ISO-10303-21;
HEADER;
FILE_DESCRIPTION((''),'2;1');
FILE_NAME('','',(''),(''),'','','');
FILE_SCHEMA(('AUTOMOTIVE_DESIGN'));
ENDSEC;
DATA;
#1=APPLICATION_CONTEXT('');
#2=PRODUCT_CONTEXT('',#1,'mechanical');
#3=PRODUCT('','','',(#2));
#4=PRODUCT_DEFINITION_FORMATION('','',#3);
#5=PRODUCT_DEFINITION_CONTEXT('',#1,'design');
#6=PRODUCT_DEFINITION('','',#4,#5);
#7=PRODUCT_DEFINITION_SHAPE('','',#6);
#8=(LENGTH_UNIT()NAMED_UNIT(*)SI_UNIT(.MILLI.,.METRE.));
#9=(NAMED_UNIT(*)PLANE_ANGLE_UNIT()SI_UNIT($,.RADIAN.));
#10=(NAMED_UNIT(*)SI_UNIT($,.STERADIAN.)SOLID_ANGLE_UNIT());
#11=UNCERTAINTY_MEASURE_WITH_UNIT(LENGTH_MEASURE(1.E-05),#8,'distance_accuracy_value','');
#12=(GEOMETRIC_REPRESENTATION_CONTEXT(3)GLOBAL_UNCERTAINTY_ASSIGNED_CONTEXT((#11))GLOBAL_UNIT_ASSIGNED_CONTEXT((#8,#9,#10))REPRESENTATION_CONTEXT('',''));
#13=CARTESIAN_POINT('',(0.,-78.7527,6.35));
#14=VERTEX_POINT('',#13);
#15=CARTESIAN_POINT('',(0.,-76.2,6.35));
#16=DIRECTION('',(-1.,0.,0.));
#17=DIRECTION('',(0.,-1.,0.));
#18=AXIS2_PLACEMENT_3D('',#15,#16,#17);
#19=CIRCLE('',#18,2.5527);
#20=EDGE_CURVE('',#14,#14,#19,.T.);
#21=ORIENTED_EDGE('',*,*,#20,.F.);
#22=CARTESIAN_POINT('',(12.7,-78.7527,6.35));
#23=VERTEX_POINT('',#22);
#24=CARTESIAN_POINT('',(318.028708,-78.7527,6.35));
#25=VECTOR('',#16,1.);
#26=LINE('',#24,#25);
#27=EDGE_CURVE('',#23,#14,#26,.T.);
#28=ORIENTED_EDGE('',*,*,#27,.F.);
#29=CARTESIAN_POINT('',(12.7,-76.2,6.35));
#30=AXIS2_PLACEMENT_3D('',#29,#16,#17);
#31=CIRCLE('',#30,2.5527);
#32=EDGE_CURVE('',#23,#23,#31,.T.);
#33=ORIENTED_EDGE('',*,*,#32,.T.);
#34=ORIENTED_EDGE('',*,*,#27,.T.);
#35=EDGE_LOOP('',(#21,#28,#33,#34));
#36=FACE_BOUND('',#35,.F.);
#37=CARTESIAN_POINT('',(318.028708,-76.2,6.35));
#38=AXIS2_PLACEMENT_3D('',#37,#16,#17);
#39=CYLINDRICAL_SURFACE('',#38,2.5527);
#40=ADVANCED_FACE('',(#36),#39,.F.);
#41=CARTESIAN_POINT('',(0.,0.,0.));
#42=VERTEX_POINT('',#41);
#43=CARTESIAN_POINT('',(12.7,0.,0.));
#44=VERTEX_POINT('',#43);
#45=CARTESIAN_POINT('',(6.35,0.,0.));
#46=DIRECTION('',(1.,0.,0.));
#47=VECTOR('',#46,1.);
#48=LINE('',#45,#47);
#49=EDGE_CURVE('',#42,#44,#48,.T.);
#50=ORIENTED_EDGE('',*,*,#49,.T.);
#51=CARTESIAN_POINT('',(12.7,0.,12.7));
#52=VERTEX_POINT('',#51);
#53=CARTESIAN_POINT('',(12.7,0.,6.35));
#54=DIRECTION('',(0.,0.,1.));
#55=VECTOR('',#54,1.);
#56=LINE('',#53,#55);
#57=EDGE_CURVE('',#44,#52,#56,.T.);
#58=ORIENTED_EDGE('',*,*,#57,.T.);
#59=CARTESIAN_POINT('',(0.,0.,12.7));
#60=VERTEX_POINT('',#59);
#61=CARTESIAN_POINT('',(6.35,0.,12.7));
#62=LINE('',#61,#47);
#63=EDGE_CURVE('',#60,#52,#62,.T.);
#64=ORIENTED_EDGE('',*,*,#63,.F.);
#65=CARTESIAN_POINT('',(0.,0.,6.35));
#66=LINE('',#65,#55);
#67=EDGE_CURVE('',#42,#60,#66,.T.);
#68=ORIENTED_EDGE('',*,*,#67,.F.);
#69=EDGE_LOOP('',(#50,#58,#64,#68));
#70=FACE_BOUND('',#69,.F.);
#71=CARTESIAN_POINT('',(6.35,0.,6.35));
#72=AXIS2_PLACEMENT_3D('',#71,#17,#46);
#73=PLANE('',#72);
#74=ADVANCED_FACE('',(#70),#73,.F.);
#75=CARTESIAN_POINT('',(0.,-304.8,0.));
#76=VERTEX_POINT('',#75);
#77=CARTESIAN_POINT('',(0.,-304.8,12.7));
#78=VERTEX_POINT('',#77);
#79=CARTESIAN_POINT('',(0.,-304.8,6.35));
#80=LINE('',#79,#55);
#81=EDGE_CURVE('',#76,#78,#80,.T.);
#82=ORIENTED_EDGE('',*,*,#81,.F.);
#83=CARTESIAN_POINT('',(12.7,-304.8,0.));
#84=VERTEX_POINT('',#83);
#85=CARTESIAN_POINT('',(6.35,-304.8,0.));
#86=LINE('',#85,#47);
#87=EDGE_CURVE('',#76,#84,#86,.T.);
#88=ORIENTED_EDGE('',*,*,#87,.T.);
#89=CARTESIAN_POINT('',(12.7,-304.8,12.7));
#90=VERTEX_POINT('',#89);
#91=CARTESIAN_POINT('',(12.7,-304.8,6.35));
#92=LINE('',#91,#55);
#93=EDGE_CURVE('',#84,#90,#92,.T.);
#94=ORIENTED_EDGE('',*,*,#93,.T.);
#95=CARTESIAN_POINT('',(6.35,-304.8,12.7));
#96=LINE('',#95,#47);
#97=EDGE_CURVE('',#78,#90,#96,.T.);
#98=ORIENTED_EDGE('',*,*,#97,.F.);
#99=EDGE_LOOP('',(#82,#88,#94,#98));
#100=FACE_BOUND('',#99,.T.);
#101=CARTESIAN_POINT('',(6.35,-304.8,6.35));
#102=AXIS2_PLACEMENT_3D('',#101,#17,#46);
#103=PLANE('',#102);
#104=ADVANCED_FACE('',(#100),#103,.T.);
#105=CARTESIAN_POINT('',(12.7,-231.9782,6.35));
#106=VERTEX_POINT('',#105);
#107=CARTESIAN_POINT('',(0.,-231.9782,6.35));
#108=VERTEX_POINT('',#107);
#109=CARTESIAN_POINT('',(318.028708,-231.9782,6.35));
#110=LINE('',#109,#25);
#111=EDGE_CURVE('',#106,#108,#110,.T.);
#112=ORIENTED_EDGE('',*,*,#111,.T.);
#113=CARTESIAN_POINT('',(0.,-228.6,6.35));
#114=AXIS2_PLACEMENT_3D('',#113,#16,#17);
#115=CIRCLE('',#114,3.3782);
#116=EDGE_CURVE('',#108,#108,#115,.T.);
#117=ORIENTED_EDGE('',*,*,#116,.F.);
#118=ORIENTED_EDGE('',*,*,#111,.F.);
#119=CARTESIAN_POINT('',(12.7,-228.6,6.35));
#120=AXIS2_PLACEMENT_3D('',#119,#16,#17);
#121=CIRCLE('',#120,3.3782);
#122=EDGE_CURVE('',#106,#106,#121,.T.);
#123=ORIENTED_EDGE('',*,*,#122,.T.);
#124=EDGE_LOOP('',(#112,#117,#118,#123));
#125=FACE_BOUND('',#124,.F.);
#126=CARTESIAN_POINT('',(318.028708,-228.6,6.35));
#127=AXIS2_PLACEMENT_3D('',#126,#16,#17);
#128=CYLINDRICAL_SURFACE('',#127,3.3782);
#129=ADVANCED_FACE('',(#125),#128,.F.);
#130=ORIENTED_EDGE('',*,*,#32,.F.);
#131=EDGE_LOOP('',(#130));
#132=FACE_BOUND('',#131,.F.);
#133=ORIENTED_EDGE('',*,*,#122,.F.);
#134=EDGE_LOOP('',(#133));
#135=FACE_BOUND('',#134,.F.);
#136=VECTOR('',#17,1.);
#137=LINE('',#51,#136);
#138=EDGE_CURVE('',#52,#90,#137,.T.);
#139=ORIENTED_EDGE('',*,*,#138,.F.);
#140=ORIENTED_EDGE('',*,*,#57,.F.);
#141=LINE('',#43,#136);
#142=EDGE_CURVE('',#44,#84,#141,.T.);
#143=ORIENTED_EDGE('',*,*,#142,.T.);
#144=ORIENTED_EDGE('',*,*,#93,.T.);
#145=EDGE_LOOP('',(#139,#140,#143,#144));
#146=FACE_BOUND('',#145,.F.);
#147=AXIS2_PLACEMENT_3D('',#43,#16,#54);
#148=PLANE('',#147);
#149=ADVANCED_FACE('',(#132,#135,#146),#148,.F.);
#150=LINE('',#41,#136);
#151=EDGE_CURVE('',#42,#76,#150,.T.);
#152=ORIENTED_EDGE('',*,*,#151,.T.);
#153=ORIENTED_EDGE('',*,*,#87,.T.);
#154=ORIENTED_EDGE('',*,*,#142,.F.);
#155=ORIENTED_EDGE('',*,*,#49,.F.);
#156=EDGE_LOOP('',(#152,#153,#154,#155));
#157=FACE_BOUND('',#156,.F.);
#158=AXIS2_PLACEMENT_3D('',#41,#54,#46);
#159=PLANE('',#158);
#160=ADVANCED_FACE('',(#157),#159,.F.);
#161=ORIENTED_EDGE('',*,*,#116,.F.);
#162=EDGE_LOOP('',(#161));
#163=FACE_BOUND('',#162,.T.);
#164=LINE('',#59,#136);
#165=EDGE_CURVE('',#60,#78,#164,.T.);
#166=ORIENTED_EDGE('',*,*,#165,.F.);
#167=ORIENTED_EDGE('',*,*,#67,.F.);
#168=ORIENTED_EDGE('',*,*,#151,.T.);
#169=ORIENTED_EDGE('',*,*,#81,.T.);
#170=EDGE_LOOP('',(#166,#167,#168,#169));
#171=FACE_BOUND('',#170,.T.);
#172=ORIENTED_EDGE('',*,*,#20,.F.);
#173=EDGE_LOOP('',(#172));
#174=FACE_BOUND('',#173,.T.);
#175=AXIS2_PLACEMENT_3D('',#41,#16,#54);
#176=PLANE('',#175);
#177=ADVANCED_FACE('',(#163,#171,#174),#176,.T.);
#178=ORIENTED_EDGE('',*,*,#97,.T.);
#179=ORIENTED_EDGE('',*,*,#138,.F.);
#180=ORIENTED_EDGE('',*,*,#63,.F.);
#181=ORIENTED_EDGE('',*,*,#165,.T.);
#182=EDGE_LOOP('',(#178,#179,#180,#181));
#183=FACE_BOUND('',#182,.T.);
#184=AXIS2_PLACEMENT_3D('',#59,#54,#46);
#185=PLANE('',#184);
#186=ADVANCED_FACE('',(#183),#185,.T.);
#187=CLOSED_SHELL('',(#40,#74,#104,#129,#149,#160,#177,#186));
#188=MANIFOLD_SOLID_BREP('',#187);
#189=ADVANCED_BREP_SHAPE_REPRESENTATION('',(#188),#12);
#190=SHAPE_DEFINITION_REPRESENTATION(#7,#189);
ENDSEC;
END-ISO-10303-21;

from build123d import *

# Parameters (mm, degrees)
F0_W     = 12.7
F0_H     = 12.7
F1_DEPTH = 304.8
F3_D     = 6.7564
F4_D     = 5.1054


with BuildPart() as f1:
    # F0 (on Front) → F1 (new body)
    with BuildSketch(Plane.XZ):
        with Locations((6.35, 6.35)):
            Rectangle(F0_W, F0_H)
    extrude(amount=F1_DEPTH)

    # F3 (through all)
    with Locations(Plane.YZ.offset(12.7)):
        with Locations((-228.6, 6.35)):
            Hole(F3_D / 2)

    # F4 (through all)
    with Locations(Plane.YZ.offset(12.7)):
        with Locations((-76.2, 6.35)):
            Hole(F4_D / 2)


solid = f1.part
